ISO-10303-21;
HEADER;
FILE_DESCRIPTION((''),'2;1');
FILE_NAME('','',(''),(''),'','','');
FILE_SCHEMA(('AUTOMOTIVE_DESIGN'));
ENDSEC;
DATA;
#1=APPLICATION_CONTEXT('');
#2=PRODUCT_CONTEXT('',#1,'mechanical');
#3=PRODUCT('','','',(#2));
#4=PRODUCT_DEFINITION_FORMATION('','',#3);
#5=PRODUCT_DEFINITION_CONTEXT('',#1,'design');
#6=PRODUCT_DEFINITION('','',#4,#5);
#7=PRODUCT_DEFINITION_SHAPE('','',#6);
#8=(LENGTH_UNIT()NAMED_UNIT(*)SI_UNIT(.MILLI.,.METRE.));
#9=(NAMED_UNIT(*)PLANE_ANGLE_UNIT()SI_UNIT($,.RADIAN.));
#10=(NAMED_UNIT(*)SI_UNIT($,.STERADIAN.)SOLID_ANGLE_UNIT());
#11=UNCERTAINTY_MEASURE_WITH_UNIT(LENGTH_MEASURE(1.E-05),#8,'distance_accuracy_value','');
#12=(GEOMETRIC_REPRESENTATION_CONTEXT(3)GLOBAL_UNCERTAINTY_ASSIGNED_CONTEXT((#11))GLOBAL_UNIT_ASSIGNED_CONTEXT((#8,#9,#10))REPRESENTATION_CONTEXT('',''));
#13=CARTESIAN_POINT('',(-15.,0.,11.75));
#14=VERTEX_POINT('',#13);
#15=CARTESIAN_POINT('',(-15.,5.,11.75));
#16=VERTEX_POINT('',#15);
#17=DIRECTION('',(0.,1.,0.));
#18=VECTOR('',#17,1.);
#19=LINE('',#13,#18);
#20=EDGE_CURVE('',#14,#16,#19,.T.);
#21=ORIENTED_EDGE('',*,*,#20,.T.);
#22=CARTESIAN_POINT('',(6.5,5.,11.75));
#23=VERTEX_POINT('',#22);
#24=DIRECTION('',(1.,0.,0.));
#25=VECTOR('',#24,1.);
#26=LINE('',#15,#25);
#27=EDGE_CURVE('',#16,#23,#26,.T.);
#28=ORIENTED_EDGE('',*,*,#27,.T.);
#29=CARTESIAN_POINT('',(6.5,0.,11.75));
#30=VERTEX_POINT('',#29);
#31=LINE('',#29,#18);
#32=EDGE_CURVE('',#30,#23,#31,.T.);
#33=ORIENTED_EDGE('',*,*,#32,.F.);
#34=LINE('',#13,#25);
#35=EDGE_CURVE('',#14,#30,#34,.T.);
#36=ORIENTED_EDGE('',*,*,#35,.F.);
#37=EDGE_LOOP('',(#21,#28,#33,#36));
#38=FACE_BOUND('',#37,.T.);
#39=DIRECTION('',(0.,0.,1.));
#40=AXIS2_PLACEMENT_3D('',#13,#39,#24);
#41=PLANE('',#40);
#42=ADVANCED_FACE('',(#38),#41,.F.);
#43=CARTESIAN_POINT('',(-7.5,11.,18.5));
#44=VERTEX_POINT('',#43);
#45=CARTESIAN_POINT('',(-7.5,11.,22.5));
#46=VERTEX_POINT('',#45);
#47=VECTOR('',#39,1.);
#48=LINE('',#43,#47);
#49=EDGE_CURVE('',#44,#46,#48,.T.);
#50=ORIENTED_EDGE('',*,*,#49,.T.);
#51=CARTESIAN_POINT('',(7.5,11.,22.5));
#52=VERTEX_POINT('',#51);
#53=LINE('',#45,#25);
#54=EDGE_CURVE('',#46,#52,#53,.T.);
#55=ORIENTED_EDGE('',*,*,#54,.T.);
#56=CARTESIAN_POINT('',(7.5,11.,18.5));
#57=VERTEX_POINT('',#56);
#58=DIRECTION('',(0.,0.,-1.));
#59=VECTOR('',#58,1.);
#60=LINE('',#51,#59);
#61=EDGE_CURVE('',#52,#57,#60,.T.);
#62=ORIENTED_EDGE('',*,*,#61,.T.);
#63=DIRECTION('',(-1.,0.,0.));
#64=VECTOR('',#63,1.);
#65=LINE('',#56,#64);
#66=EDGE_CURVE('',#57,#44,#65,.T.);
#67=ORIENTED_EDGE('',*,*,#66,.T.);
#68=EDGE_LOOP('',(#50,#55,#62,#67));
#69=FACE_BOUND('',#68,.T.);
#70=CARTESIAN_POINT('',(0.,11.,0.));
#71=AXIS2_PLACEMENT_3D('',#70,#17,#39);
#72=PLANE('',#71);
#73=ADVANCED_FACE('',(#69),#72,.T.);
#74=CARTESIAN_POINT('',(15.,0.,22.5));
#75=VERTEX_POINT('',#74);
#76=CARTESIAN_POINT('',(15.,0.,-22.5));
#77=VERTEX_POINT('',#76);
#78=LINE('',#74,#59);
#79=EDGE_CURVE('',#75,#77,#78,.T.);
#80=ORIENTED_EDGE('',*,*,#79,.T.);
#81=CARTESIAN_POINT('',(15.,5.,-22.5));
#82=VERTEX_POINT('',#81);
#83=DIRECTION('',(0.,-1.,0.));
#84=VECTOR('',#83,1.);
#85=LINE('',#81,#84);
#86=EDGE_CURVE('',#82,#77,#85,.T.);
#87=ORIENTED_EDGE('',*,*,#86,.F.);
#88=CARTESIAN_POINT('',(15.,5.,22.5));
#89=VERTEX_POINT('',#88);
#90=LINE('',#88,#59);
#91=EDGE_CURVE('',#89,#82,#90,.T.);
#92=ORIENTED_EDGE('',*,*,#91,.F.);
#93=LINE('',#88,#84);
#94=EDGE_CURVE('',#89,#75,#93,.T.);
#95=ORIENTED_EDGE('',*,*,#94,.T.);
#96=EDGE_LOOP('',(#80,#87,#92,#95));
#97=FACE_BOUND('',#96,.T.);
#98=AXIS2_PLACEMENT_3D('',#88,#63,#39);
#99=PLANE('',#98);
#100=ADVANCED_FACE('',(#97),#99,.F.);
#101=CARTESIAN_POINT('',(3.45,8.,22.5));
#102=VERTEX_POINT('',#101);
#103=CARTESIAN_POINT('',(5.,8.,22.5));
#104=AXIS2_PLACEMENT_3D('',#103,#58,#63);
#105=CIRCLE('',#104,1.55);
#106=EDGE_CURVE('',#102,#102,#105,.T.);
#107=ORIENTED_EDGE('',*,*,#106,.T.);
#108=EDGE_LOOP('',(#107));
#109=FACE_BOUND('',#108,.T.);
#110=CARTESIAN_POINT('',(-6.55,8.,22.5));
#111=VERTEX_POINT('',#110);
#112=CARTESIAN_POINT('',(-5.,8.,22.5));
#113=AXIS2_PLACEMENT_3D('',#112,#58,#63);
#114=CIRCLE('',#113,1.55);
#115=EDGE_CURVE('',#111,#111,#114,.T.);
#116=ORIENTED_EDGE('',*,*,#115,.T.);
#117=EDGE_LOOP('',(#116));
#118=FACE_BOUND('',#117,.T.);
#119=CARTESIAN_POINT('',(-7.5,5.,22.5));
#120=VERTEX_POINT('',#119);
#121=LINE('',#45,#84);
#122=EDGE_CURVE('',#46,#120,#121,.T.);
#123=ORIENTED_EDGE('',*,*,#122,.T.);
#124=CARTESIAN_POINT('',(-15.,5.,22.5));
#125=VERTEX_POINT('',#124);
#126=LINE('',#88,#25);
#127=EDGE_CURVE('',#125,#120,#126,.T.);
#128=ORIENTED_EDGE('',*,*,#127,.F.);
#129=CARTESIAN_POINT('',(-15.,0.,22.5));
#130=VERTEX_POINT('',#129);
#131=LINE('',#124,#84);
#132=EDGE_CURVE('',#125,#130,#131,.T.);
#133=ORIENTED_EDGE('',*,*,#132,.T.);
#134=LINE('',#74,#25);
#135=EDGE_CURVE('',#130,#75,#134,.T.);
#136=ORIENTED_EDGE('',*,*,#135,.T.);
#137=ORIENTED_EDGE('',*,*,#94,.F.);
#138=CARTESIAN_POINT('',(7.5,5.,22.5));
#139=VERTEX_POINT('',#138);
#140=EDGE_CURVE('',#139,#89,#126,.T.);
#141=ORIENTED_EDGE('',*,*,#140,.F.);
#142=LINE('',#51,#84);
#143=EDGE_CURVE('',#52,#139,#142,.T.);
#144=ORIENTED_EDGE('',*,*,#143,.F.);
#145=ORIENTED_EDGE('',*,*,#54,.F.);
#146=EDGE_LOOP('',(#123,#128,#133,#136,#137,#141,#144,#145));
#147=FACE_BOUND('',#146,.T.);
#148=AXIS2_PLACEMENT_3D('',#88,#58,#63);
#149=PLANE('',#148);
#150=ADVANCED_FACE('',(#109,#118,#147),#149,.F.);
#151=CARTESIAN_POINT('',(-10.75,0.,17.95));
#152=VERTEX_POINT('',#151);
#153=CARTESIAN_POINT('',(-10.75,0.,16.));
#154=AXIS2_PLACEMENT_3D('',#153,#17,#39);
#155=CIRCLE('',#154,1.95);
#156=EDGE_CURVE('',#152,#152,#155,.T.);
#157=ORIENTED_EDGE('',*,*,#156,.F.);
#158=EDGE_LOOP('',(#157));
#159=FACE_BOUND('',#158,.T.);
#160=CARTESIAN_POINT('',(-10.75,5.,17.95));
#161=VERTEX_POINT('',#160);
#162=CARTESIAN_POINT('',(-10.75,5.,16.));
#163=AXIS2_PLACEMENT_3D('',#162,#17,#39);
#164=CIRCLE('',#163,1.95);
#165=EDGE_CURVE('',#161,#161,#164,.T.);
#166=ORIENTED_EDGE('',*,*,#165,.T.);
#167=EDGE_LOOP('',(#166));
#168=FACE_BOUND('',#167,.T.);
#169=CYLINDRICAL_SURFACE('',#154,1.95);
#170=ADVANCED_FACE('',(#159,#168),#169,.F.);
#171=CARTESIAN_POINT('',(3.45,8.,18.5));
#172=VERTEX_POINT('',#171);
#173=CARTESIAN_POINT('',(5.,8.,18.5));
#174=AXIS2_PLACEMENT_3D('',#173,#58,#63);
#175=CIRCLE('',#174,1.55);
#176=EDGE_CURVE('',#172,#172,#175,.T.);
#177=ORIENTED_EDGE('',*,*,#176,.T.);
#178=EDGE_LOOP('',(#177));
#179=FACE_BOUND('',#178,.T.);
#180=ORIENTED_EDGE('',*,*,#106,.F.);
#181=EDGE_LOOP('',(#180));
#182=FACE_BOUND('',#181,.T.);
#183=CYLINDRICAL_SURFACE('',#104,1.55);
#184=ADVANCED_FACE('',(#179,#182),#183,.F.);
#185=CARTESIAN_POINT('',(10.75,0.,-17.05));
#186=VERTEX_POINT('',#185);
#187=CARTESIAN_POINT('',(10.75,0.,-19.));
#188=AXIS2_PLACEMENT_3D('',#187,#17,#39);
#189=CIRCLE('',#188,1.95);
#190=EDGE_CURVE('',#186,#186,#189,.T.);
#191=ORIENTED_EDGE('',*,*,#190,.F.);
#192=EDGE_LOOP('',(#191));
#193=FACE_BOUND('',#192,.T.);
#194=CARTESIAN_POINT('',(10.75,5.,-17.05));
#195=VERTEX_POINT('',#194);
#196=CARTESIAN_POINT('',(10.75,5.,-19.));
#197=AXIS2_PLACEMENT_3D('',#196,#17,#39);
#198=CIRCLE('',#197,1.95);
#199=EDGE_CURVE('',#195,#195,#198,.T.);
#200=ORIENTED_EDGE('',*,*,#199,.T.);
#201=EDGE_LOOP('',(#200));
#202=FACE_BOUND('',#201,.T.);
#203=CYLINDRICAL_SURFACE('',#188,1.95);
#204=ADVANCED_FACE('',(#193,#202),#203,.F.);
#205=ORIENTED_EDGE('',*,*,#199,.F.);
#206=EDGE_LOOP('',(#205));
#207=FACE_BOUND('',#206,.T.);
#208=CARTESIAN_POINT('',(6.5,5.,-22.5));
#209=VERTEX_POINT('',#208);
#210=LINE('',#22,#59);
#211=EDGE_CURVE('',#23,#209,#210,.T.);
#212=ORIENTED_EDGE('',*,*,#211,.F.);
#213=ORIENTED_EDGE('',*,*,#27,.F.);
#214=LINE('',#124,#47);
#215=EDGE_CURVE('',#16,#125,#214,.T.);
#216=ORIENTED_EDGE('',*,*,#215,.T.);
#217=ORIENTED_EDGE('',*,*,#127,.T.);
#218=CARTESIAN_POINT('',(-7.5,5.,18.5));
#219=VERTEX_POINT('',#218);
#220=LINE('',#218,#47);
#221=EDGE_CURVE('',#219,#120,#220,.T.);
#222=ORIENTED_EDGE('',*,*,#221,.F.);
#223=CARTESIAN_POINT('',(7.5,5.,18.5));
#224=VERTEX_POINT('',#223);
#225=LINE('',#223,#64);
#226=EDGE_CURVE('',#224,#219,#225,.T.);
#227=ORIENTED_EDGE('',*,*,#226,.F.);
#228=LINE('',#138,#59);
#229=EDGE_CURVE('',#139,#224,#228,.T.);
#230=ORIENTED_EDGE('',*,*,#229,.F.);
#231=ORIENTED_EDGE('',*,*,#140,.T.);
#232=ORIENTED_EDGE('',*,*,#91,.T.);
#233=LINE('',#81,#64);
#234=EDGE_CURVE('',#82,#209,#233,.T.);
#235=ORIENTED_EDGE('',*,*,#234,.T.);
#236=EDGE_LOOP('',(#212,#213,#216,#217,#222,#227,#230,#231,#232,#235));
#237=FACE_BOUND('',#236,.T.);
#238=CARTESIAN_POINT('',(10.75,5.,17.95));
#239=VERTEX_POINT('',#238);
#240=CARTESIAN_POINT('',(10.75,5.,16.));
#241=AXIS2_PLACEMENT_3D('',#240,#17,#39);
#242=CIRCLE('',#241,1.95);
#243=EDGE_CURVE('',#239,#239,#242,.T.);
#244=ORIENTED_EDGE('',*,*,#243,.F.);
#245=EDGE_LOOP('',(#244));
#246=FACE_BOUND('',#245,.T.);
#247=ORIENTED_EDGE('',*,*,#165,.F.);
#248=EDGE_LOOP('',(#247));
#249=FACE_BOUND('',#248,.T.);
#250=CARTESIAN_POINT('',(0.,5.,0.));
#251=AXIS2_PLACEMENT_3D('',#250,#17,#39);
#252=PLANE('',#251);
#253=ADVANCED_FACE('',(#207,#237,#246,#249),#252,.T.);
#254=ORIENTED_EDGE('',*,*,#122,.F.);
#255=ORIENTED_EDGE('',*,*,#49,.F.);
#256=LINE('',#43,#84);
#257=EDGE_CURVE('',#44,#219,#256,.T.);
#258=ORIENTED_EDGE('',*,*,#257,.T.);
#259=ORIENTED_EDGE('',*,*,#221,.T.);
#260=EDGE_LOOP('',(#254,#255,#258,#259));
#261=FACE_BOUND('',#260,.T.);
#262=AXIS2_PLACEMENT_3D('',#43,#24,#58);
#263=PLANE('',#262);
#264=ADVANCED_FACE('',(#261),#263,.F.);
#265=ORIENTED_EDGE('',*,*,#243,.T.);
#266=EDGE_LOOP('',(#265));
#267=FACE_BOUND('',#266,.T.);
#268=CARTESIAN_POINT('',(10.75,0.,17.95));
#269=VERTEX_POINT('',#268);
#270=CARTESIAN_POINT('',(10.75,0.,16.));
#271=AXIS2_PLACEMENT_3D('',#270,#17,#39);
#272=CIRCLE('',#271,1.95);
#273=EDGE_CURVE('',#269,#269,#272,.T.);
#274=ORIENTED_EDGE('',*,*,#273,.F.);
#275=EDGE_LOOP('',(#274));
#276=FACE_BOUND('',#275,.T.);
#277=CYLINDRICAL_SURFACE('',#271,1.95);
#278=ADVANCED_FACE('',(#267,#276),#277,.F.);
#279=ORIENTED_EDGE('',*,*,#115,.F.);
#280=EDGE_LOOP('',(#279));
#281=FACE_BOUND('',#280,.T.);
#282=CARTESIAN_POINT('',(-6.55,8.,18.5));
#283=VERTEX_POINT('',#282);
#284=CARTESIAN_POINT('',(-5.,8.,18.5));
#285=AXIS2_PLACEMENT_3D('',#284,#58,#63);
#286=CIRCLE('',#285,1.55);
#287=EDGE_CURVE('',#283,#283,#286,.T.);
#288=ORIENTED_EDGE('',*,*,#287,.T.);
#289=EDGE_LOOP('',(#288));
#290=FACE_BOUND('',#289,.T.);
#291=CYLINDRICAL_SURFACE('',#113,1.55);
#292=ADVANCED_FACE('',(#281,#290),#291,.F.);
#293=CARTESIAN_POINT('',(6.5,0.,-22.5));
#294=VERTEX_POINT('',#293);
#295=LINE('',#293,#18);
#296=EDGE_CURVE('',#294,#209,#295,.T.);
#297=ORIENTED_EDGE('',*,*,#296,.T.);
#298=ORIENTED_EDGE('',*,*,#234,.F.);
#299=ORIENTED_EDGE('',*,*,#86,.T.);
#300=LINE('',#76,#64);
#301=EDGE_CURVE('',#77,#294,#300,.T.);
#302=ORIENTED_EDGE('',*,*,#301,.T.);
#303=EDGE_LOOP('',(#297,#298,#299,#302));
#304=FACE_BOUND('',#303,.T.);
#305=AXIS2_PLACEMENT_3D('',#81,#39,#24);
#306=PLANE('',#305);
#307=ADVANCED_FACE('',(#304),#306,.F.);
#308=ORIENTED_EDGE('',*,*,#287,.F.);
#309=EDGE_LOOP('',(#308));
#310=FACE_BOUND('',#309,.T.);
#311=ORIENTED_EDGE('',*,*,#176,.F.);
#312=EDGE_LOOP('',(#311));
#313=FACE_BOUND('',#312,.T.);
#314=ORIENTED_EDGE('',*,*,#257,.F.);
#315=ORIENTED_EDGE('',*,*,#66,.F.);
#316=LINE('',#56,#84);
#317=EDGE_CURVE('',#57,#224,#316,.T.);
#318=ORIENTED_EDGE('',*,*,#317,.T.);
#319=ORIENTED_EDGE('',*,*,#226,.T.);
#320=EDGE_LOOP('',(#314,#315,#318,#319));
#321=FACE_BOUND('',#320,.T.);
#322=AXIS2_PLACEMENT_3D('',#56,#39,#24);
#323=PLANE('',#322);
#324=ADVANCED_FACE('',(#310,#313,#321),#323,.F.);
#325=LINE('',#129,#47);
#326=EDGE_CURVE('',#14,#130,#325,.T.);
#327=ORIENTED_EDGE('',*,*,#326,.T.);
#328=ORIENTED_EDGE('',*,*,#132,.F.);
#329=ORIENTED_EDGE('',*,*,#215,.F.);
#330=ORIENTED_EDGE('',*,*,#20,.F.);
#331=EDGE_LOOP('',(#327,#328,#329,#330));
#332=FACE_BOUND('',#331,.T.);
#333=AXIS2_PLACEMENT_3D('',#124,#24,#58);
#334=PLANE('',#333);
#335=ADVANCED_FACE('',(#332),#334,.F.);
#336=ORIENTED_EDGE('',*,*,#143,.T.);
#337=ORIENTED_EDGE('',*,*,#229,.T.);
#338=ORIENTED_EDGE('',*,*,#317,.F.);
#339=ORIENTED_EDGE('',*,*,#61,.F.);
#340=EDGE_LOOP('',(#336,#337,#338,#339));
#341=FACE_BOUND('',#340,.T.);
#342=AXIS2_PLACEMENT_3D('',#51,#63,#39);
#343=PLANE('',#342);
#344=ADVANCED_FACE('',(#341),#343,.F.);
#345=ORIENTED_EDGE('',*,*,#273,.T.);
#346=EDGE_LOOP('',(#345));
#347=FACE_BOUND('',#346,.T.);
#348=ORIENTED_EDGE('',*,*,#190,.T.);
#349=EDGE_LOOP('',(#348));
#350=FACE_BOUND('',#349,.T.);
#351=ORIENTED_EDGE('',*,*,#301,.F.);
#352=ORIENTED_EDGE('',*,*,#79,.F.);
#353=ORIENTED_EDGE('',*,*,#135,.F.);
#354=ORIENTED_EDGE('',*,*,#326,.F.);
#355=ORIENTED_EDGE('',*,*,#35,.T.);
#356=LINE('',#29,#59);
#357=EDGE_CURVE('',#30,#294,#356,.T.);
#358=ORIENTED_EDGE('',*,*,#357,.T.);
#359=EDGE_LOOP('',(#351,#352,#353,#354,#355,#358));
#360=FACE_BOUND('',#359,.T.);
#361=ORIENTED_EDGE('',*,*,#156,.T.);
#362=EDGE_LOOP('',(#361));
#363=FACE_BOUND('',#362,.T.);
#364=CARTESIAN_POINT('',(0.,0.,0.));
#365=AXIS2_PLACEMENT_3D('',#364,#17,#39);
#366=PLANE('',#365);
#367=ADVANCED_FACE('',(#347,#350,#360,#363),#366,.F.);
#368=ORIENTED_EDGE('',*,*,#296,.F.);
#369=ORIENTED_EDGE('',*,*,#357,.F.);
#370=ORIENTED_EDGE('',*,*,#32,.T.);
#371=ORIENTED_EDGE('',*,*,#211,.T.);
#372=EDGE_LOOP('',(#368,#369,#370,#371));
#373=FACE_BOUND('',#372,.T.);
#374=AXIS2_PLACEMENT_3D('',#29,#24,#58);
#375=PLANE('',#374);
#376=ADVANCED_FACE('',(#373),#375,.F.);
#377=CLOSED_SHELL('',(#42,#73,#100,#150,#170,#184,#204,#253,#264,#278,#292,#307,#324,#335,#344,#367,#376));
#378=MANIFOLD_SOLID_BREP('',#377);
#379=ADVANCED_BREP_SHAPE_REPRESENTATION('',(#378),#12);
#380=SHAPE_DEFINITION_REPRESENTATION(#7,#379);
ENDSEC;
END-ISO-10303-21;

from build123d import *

# Parameters (mm, degrees)
SKETCH1_W           = 30
SKETCH1_H           = 45
BOSS_EXTRUDE1_DEPTH = 5
SKETCH2_R           = 1.95
SKETCH2_W           = 21.5
SKETCH2_H           = 34.25
CUT_EXTRUDE1_DEPTH  = 6
SKETCH3_W           = 15
SKETCH3_H           = 4
BOSS_EXTRUDE2_DEPTH = 6
SKETCH4_R           = 1.55
CUT_EXTRUDE2_DEPTH  = 5


with BuildPart() as part:
    # Sketch1 → Boss-Extrude1 (new body)
    with BuildSketch(Plane(origin=(0, 0, 0), x_dir=(1, 0, 0), z_dir=(0, 1, 0))):
        Rectangle(SKETCH1_W, SKETCH1_H)
    extrude(amount=BOSS_EXTRUDE1_DEPTH)

    # Sketch2 → Cut-Extrude1 (cut, through all)
    with BuildSketch(Plane(origin=(0, 5, 0), x_dir=(1, 0, 0), z_dir=(0, 1, 0))):
        with Locations((10.75, 19)):
            Circle(SKETCH2_R)
        with Locations((10.75, -16)):
            Circle(SKETCH2_R)
        with Locations((-10.75, -16)):
            Circle(SKETCH2_R)
        with Locations((-4.25, 5.375)):
            Rectangle(SKETCH2_W, SKETCH2_H)
    extrude(amount=-CUT_EXTRUDE1_DEPTH, mode=Mode.SUBTRACT)

    # Sketch3 → Boss-Extrude2 (add)
    with BuildSketch(Plane(origin=(0, 5, 0), x_dir=(1, 0, 0), z_dir=(0, 1, 0))):
        with Locations((0, -20.5)):
            Rectangle(SKETCH3_W, SKETCH3_H)
    extrude(amount=BOSS_EXTRUDE2_DEPTH)

    # Sketch4 → Cut-Extrude2 (cut, through all)
    with BuildSketch(Plane(origin=(0, 0, 18.5), x_dir=(-1, 0, 0), z_dir=(0, 0, -1))):
        with Locations((-5, 8)):
            Circle(SKETCH4_R)
        with Locations((5, 8)):
            Circle(SKETCH4_R)
    extrude(amount=-CUT_EXTRUDE2_DEPTH, mode=Mode.SUBTRACT)


solid = part.part
